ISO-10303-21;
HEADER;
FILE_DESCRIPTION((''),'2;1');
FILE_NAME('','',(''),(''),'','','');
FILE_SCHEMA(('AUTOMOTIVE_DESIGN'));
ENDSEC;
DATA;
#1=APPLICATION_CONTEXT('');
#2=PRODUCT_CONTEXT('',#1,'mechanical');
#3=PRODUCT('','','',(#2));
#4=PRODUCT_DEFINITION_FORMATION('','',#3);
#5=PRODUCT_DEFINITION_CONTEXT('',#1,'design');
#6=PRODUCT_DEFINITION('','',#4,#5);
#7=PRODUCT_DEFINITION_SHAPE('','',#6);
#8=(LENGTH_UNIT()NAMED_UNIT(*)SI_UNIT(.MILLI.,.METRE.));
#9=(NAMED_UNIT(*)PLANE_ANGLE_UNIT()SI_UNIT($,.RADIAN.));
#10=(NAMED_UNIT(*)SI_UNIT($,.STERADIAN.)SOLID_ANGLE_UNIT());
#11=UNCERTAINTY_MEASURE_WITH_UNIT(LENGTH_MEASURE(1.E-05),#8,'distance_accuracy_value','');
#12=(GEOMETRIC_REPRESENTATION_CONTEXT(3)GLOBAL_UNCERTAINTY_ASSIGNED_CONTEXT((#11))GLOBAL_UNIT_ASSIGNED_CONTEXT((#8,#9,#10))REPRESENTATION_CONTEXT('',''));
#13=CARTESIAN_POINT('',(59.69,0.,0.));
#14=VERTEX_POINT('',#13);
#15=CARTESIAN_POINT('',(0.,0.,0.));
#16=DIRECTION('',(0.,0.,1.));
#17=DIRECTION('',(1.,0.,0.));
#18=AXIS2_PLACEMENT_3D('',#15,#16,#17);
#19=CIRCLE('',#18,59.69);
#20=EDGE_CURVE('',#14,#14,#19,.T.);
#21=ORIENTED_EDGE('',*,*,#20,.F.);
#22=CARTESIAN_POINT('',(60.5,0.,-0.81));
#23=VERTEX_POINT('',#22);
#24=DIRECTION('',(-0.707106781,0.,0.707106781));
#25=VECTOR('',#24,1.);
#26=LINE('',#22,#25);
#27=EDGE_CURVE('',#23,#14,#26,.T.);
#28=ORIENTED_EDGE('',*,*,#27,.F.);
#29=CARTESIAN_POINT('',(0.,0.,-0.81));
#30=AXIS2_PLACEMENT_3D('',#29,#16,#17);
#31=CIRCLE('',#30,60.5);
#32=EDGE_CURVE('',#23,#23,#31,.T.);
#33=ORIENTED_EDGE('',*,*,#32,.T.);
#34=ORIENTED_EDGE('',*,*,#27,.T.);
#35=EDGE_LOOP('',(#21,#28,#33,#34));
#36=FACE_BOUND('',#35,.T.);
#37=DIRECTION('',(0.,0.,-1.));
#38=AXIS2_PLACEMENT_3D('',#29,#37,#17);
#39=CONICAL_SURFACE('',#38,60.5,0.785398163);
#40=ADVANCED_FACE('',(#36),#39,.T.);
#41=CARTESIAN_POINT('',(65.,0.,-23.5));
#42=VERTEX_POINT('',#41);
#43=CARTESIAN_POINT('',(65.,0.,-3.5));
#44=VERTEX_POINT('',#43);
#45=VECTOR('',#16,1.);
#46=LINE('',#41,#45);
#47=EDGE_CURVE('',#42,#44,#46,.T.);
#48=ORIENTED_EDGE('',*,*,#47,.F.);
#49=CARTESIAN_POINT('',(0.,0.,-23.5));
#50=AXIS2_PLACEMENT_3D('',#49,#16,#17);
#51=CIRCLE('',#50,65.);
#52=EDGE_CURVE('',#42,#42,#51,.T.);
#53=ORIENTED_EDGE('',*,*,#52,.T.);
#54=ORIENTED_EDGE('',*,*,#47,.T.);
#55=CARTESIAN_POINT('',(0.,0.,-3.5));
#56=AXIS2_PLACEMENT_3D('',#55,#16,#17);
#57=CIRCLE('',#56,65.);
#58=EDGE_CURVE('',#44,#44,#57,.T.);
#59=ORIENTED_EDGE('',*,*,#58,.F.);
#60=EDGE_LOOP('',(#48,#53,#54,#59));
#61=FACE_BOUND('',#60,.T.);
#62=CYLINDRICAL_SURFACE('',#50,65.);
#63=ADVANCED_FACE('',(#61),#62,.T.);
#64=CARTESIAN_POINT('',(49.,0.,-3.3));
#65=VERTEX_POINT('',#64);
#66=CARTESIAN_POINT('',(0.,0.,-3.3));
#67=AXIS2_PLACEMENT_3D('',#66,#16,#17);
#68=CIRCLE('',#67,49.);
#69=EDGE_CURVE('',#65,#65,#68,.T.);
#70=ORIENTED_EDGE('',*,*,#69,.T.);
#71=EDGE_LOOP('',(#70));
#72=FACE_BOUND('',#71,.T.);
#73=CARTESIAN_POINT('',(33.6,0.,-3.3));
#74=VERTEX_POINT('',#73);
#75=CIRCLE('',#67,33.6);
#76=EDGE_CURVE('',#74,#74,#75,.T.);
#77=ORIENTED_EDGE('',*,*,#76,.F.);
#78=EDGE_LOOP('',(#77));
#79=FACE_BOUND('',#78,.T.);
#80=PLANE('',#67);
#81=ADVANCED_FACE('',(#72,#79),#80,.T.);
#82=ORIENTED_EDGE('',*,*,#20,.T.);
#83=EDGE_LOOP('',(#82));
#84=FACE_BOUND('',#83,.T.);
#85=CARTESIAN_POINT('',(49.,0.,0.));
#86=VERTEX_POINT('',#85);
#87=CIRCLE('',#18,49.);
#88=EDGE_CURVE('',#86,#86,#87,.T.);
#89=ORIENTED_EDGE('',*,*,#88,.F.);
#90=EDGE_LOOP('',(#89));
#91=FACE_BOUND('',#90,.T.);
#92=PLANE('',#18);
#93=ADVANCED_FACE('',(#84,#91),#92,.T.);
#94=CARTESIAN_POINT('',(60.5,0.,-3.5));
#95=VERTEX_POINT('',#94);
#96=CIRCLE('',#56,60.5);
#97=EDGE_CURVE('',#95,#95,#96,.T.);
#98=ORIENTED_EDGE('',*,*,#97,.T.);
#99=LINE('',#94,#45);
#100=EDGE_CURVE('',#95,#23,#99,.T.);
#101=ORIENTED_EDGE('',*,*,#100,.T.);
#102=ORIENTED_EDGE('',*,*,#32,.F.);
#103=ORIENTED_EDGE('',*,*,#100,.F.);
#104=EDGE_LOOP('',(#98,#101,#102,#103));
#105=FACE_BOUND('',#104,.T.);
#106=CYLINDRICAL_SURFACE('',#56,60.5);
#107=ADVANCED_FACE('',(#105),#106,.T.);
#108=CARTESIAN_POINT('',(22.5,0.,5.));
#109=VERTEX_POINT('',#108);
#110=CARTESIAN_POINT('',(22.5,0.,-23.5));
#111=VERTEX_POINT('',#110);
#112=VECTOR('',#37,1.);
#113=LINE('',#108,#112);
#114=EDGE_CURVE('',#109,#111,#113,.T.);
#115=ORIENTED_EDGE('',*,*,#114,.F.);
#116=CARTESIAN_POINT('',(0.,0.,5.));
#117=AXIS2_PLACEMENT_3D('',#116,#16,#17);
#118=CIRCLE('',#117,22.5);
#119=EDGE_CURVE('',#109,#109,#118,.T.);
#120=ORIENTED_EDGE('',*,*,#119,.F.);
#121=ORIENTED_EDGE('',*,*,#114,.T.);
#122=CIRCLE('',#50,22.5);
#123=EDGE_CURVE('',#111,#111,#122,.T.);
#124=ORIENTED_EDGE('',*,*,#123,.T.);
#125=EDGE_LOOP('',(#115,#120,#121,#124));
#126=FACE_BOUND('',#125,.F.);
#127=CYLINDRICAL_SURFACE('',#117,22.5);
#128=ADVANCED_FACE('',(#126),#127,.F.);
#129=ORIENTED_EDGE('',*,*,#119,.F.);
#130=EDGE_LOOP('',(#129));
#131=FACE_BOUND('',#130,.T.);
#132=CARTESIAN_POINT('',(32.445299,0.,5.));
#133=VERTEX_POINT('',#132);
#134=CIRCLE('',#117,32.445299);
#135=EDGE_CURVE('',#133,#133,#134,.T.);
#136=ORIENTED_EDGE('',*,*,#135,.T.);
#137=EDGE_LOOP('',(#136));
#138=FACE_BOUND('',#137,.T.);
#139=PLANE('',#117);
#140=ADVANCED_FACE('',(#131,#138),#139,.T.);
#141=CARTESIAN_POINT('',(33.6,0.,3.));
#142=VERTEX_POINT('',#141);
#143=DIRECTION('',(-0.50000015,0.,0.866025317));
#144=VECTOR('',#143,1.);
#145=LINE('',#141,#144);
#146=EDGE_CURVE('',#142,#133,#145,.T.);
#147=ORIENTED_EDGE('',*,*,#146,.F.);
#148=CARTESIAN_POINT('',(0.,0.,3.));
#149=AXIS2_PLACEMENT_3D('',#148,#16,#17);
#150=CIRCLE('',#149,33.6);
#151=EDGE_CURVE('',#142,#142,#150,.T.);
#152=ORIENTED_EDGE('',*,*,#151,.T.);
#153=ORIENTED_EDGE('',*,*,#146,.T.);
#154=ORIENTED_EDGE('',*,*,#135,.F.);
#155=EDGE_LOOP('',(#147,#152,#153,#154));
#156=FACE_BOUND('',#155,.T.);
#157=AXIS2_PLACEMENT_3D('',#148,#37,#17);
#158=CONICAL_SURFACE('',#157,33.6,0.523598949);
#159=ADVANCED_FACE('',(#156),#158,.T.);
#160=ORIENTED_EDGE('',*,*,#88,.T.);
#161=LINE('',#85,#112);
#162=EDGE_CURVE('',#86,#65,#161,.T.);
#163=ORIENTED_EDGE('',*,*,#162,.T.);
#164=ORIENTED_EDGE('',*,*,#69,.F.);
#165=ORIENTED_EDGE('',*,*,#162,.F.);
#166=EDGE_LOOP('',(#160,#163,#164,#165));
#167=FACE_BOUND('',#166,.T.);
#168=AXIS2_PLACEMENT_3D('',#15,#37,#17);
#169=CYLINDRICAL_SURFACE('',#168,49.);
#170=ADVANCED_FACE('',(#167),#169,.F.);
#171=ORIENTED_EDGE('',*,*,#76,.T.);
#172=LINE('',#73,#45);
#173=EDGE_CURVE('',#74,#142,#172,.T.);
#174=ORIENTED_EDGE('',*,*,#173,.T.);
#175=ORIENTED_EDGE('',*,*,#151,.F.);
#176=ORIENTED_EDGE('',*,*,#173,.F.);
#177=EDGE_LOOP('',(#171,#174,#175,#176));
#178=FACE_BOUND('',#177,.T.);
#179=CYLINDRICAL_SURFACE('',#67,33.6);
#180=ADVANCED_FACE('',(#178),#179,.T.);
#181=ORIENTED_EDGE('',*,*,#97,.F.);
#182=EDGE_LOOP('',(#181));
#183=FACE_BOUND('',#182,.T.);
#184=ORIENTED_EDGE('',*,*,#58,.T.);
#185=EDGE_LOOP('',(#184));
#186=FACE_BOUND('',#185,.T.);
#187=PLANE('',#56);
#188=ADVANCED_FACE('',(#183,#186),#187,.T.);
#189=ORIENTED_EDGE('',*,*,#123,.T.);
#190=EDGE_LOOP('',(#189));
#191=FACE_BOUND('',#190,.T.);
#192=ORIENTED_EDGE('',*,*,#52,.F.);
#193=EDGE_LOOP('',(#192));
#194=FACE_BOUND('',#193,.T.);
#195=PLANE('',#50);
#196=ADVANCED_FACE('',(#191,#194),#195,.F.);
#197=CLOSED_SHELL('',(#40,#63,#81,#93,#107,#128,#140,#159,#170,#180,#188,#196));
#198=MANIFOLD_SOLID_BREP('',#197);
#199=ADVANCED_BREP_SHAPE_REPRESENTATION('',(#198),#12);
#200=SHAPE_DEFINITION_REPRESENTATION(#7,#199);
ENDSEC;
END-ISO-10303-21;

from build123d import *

# Parameters (mm, degrees)
F2_SIZE       = 0.81
F3_SIZE2      = 1.154701
F3_SIZE       = 2
F4_R          = 22.5
F5_DEPTH      = 50
F5_DEPTH_BACK = 16.8


with BuildPart() as f1:
    # F0 (on Front) → F1 (revolve)
    with BuildSketch(Plane.XZ):
        Polygon((0, 0), (0, -23.5), (65, -23.5), (65, -3.5), (60.5, -3.5), (60.5, 0), (49, 0), (49, -3.3), (33.6, -3.3), (33.6, 5), (0, 5), align=None)
    revolve(axis=Axis((0, 0, 20), (0, 0, 1)))

    # F2
    f2_edges = [f1.edges().sort_by_distance(p)[0] for p in [
        (-60.5, 0, 0),
    ]]
    chamfer(f2_edges, length=F2_SIZE)

    # F3
    f3_edges = [f1.edges().sort_by_distance(p)[0] for p in [
        (-33.6, 0, 5),
    ]]
    chamfer(f3_edges, length=F3_SIZE, length2=F3_SIZE2)


with BuildPart() as f5:
    # F4 (on face) → F5 (new body, two sides)
    with BuildSketch(Plane.XY.offset(5)) as f5_sk:
        Circle(F4_R)
    extrude(amount=-F5_DEPTH)
    extrude(f5_sk.sketch, amount=-F5_DEPTH_BACK)


with BuildPart() as f1_1:
    add(f1.part)

    # F6: cut F5
    add(f5.part, mode=Mode.SUBTRACT)


solid = f1_1.part
